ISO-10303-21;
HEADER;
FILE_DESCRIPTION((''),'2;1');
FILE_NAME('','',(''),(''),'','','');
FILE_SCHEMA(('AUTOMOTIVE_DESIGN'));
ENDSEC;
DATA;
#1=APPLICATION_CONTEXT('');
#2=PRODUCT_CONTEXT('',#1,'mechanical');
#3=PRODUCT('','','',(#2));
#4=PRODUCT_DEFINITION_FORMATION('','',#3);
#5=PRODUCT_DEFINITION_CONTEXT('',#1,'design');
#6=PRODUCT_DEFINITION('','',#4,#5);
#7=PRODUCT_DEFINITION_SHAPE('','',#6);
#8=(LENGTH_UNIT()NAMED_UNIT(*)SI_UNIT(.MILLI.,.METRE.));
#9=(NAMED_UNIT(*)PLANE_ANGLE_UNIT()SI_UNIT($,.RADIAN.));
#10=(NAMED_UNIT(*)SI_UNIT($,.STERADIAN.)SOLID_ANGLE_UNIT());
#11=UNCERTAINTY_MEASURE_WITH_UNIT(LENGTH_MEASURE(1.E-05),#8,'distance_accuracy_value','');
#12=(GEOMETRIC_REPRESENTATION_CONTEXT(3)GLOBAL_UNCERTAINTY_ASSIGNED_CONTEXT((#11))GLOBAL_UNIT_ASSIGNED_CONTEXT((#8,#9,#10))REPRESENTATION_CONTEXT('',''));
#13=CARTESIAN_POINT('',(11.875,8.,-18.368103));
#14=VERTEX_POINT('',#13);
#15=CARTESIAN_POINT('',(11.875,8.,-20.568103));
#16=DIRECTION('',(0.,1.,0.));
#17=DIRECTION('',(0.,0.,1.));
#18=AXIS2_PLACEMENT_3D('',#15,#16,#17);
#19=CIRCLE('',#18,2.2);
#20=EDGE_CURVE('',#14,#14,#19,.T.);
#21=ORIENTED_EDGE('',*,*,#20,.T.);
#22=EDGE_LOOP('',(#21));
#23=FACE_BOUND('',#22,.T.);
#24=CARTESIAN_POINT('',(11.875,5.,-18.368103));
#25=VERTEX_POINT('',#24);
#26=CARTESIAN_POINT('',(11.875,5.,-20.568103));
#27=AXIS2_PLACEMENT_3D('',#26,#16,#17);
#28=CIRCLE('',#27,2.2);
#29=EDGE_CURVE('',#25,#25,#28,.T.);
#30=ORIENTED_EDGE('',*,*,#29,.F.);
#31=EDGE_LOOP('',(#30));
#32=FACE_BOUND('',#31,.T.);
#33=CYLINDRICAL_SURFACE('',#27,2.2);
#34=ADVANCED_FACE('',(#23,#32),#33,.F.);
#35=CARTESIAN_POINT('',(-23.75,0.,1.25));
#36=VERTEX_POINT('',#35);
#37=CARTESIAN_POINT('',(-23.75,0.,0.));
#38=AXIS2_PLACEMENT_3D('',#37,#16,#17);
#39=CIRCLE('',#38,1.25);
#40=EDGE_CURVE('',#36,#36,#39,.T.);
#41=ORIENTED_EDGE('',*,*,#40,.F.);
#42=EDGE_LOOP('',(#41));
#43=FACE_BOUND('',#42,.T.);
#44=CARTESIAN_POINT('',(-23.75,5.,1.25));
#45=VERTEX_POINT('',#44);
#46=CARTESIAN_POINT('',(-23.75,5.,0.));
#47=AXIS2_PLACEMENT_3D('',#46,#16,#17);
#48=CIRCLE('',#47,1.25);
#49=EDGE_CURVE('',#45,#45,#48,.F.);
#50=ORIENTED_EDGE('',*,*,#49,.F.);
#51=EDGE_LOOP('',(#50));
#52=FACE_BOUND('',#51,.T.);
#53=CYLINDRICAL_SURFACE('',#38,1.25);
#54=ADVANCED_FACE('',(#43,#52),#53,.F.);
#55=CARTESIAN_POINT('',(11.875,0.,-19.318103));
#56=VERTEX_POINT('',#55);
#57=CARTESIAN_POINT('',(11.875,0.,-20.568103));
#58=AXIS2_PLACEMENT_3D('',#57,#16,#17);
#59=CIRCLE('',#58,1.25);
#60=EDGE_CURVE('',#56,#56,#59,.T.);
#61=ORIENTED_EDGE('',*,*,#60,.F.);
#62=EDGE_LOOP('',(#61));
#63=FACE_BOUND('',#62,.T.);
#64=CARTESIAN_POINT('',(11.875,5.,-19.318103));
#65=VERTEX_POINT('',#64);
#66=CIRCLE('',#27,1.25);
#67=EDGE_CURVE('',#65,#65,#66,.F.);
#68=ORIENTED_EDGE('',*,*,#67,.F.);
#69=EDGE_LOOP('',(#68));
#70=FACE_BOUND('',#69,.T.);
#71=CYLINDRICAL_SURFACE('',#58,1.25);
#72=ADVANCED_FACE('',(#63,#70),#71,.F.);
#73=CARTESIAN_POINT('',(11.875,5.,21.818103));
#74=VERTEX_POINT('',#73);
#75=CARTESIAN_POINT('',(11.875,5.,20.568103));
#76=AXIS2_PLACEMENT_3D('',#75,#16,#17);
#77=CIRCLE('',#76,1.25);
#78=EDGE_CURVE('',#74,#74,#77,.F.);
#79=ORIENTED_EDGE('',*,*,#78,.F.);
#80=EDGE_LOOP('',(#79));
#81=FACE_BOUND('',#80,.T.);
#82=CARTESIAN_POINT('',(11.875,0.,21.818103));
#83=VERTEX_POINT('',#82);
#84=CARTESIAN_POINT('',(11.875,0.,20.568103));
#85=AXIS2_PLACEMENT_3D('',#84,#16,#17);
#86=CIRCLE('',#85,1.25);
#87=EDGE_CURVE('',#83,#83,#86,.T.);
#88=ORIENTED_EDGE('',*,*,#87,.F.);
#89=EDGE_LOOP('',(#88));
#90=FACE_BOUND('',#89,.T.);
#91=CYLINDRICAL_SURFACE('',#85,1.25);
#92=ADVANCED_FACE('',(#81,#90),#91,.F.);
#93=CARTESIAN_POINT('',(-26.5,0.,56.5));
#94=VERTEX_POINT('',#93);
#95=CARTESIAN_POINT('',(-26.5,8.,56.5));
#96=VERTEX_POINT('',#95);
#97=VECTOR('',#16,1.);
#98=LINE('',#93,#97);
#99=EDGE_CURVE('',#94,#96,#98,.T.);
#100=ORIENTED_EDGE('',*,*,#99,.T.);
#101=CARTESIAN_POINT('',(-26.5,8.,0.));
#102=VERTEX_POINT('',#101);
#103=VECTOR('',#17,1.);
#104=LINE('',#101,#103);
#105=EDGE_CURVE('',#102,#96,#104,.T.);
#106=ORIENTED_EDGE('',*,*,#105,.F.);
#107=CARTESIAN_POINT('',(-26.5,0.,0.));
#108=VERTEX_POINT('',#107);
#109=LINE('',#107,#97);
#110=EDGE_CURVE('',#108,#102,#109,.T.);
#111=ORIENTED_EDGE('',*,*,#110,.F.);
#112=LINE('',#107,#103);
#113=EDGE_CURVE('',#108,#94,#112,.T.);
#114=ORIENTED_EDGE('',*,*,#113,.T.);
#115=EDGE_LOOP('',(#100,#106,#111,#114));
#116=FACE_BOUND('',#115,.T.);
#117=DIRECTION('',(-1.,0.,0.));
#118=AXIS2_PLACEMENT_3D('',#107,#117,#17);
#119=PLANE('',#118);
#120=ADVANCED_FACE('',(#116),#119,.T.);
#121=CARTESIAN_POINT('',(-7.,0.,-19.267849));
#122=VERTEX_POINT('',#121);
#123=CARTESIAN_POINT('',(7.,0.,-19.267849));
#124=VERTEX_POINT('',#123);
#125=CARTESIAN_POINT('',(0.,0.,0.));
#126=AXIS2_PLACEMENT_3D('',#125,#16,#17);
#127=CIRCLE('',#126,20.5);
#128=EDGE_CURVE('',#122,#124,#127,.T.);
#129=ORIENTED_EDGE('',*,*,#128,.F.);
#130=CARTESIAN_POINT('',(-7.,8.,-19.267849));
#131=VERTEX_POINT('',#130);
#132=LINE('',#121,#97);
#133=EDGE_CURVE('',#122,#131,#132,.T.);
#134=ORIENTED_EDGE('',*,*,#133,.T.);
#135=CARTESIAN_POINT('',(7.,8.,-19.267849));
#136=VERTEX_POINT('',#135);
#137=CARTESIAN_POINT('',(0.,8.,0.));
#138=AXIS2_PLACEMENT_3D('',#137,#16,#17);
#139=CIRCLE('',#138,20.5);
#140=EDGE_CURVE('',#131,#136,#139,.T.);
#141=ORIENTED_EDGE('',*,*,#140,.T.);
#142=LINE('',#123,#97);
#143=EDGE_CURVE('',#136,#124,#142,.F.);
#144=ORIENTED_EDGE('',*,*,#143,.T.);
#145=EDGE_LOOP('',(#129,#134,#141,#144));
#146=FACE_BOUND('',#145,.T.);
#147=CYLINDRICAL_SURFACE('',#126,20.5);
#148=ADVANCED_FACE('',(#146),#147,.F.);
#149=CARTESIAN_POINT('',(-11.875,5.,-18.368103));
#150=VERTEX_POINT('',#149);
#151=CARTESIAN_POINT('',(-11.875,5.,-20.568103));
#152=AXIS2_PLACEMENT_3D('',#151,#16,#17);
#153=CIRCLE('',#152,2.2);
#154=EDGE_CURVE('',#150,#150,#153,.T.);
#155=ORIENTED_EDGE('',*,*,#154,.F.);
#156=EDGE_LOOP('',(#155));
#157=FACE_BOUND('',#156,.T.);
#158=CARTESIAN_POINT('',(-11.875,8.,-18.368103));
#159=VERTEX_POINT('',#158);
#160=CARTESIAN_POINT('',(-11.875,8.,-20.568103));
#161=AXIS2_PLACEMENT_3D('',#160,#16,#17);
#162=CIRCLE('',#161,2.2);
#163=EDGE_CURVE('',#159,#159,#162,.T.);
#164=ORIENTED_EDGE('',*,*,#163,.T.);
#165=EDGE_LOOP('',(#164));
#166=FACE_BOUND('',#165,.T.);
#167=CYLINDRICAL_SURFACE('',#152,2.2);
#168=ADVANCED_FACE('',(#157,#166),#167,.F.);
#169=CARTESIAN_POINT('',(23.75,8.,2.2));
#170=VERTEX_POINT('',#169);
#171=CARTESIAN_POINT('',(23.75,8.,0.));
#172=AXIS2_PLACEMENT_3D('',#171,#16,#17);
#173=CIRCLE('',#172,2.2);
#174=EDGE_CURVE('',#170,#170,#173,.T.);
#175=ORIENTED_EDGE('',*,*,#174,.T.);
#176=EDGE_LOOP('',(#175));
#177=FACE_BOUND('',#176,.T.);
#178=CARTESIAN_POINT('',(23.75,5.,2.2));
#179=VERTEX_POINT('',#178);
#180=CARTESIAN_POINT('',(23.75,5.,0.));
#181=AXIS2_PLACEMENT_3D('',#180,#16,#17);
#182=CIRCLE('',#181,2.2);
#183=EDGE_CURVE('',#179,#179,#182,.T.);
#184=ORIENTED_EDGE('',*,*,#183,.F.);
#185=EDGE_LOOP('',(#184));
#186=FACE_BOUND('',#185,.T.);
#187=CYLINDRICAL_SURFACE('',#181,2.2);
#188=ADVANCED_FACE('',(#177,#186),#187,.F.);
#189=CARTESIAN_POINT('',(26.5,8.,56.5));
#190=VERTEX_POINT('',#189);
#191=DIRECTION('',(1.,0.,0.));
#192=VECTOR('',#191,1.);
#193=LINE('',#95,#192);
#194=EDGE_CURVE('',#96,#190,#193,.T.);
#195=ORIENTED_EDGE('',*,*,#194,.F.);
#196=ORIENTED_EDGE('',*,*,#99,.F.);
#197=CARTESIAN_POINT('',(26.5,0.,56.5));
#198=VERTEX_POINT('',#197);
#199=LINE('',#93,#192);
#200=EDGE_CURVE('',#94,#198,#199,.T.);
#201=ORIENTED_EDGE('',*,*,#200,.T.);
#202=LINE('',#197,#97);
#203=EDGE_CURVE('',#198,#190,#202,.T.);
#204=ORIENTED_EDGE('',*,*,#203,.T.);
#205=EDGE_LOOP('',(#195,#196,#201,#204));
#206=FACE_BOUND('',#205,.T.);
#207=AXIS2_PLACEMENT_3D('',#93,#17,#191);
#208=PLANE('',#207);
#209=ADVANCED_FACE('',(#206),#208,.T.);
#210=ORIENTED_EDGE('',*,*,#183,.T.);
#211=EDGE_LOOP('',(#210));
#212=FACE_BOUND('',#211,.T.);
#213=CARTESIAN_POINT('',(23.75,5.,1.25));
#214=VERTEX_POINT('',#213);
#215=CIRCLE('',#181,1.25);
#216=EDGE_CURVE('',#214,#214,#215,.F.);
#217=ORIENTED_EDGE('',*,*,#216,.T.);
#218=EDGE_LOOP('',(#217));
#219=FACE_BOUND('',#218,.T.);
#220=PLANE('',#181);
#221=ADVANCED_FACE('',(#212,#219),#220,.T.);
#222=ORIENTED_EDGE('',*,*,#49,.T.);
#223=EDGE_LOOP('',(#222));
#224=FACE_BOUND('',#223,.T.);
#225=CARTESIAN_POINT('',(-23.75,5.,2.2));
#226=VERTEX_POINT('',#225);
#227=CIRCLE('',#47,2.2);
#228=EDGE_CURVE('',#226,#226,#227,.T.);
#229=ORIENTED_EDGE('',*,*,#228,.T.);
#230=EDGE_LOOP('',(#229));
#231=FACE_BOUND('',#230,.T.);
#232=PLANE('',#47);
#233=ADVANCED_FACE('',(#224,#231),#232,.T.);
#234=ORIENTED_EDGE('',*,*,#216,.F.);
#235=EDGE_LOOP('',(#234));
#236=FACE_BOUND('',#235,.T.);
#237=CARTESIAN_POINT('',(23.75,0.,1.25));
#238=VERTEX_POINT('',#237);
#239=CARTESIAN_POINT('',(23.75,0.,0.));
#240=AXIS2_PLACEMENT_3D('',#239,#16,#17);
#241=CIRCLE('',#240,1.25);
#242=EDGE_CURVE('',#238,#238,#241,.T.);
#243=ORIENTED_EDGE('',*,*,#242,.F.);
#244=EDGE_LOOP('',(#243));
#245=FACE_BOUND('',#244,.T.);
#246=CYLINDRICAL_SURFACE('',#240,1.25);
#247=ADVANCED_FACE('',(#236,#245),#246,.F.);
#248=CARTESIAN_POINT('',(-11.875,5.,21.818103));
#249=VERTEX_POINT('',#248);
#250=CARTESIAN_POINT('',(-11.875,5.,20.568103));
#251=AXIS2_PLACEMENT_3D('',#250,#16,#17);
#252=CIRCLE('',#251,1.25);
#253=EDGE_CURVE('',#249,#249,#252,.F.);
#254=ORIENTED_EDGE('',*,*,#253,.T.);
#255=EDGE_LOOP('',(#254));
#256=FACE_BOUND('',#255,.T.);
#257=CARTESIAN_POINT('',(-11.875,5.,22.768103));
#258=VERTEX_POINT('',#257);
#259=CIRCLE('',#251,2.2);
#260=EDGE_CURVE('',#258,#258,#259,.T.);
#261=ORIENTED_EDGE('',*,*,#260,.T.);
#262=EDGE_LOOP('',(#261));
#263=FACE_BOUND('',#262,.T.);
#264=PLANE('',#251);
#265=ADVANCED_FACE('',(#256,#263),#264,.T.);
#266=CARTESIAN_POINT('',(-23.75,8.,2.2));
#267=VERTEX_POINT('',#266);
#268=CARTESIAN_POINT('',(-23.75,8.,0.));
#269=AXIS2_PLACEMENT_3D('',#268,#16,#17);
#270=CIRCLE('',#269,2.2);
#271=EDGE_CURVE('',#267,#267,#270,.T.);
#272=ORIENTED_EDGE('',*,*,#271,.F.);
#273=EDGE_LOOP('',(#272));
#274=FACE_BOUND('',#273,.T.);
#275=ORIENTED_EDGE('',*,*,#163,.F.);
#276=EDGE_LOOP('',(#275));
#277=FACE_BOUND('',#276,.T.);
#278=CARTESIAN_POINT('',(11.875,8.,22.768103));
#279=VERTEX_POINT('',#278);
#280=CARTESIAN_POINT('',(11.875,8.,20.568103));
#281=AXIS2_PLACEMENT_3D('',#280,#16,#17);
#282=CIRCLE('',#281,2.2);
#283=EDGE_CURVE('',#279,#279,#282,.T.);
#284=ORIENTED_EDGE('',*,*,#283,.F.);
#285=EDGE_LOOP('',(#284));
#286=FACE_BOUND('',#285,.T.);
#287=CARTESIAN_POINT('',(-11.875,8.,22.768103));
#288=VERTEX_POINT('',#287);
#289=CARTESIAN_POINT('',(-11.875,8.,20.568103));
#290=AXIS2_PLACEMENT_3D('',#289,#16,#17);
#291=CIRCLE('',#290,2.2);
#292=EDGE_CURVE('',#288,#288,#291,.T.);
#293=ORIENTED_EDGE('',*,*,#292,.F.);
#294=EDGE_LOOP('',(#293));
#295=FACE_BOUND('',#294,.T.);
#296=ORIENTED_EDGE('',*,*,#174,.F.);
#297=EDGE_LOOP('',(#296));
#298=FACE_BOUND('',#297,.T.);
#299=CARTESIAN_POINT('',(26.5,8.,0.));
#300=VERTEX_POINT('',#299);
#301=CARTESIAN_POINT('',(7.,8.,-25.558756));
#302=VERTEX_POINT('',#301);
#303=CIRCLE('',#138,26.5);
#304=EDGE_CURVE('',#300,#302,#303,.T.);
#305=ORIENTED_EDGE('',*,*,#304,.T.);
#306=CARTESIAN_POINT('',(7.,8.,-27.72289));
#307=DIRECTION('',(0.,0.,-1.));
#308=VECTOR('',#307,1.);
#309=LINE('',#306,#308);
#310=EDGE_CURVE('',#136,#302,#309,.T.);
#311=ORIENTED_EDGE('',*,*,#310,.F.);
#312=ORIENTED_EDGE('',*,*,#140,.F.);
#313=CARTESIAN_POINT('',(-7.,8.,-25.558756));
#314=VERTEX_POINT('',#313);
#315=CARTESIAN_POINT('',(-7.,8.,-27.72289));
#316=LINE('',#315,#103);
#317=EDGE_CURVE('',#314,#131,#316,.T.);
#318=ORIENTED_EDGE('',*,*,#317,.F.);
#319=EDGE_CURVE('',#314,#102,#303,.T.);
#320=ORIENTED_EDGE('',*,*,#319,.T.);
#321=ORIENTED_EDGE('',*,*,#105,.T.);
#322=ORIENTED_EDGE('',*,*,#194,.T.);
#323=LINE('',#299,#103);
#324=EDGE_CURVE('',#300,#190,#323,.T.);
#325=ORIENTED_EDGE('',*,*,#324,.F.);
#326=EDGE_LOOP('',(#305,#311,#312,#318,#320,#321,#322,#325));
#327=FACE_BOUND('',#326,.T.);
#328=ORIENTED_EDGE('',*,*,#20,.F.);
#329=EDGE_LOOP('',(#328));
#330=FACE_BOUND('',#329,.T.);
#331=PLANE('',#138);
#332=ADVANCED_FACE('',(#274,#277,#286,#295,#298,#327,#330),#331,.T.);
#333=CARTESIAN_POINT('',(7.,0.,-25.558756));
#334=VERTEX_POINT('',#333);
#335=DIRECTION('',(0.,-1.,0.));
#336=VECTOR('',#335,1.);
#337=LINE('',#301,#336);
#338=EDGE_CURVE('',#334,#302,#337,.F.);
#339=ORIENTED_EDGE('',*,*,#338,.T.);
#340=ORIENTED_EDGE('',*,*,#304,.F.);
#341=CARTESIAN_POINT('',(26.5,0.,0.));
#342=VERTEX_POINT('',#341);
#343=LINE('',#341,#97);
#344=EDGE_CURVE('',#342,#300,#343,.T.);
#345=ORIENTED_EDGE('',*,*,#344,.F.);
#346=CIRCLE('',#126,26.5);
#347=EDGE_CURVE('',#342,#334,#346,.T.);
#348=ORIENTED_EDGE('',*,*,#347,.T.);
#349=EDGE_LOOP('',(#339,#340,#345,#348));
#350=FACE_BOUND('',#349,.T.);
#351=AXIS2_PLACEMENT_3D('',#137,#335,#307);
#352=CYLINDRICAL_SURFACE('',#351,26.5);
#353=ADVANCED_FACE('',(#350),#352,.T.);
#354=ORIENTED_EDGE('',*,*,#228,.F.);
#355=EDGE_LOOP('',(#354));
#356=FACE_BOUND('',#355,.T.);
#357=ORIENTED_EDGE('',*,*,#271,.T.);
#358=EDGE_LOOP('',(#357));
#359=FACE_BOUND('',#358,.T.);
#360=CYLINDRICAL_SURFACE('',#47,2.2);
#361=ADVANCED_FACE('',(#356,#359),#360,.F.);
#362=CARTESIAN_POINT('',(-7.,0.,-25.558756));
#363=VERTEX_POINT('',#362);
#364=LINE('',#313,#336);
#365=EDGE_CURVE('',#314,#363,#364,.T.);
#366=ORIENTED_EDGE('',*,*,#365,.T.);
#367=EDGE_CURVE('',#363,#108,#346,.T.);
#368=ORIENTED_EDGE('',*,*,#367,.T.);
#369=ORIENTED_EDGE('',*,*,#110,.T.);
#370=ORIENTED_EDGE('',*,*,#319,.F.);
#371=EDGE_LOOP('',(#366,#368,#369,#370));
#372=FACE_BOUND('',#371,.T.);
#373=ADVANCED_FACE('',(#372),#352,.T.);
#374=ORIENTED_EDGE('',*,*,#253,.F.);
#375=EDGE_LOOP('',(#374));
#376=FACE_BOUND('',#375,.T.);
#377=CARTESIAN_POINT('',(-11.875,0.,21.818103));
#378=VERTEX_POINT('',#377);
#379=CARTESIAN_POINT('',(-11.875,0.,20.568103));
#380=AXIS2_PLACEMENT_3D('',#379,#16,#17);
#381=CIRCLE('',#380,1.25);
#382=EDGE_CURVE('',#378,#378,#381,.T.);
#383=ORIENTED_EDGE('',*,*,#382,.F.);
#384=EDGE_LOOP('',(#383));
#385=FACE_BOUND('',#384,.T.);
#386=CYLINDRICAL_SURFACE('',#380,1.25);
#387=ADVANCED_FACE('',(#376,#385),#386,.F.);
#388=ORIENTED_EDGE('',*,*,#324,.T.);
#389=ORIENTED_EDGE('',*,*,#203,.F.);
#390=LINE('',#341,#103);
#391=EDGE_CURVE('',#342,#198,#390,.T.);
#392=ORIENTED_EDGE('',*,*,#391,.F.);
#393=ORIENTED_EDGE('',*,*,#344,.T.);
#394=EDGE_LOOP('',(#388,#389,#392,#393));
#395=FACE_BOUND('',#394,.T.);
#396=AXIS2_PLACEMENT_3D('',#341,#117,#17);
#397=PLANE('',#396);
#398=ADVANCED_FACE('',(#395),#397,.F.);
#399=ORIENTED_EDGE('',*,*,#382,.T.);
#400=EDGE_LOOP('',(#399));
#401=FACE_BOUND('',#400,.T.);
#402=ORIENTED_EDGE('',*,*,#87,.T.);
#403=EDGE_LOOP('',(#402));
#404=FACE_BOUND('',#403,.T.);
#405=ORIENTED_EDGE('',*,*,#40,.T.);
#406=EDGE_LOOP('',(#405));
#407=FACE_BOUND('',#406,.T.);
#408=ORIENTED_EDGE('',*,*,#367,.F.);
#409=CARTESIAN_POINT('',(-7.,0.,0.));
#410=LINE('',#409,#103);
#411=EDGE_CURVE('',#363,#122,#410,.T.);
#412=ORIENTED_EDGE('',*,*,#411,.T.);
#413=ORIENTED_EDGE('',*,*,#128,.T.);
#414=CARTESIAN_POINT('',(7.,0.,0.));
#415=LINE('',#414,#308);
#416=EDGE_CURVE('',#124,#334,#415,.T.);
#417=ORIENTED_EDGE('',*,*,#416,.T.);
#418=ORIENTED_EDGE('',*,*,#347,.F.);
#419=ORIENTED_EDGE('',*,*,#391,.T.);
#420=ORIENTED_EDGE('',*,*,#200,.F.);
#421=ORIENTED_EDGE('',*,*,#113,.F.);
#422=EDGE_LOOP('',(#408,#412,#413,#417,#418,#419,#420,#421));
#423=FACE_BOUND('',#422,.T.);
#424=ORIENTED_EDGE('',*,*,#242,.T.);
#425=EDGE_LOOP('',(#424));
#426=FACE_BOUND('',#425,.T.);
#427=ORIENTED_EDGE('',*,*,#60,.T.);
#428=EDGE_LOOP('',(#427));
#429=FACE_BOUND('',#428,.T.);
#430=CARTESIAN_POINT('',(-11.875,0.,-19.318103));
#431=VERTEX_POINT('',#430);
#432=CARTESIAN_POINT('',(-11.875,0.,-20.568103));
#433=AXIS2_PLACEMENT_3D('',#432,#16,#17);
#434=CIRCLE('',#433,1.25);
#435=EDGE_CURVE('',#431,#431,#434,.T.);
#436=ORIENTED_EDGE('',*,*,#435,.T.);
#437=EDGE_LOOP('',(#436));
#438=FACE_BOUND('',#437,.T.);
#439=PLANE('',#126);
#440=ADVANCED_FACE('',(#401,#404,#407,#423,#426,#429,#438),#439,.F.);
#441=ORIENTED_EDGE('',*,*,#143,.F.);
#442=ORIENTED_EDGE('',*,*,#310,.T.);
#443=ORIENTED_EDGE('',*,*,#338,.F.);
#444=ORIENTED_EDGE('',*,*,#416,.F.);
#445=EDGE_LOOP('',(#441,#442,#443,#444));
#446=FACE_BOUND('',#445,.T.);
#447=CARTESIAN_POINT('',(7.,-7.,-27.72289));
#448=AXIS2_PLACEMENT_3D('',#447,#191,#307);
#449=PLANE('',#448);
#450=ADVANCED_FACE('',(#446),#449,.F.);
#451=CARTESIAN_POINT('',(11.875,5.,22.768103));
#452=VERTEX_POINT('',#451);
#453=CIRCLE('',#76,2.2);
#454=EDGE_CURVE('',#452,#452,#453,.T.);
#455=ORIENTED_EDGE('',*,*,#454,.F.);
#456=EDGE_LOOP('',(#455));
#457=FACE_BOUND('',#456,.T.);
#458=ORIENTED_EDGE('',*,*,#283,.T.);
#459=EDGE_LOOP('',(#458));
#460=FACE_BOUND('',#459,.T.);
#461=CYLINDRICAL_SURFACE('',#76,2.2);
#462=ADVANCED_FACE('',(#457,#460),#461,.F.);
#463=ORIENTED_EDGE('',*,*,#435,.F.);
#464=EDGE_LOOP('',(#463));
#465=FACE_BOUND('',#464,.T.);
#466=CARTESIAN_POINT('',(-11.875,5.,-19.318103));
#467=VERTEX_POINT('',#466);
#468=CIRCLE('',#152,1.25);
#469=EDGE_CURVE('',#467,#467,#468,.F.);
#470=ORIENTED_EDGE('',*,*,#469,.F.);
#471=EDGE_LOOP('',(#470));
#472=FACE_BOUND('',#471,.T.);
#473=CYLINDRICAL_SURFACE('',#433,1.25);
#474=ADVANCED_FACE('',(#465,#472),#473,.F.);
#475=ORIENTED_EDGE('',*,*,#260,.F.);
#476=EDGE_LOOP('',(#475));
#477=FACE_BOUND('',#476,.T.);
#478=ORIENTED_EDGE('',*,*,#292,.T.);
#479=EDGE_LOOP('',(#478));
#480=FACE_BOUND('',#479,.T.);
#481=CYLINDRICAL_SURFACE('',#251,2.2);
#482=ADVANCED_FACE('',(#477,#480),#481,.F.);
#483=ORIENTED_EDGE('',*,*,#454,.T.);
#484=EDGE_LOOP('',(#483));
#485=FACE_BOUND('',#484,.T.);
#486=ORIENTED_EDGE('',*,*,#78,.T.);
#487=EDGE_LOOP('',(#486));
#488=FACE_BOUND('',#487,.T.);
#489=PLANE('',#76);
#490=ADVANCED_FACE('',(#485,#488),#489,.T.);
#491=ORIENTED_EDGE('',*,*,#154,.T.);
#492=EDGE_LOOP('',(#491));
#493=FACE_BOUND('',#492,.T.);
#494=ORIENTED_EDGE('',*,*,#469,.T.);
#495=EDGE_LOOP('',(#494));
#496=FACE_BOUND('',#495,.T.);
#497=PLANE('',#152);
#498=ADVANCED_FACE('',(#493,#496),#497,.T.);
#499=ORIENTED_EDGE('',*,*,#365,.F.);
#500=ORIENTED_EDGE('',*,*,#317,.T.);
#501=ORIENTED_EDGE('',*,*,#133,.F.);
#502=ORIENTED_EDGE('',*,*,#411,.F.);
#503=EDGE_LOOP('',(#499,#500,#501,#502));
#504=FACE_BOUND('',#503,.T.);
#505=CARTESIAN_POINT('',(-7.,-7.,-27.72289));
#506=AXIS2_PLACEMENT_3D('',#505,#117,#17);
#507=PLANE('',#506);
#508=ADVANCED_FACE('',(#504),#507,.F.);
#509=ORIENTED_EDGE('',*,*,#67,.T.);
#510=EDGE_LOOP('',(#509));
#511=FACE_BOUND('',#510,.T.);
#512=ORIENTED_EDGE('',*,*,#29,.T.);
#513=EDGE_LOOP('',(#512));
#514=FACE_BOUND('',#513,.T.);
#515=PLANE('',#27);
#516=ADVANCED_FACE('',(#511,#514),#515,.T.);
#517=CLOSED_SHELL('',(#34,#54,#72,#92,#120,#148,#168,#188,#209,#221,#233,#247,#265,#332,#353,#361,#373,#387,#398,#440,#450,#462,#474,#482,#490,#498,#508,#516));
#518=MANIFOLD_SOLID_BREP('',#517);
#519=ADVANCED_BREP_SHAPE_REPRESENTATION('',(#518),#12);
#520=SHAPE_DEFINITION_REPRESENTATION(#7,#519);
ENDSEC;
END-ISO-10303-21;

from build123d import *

# Parameters (mm, degrees)
SKETCH1_R           = 26.5
BOSS_EXTRUDE1_DEPTH = 8
SKETCH2_R           = 20.5
CUT_EXTRUDE1_DEPTH  = 8
SKETCH3_W           = 14
SKETCH3_H           = 29.703096534
CUT_EXTRUDE2_DEPTH  = 15
BOSS_EXTRUDE2_START = -8
BOSS_EXTRUDE2_DEPTH = 8
SKETCH5_R           = 1.25
CUT_EXTRUDE3_DEPTH  = 8
SKETCH6_R           = 2.2
CUT_EXTRUDE4_DEPTH  = 3


with BuildPart() as part:
    # Sketch1 → Boss-Extrude1 (new body)
    with BuildSketch(Plane(origin=(0, 0, 0), x_dir=(1, 0, 0), z_dir=(0, 1, 0))):
        with Locations(Location((0, 0, 0), (0, 0, 270))):
            Circle(SKETCH1_R)
    extrude(amount=BOSS_EXTRUDE1_DEPTH)

    # Sketch2 → Cut-Extrude1 (cut)
    with BuildSketch(Plane(origin=(0, 8, 0), x_dir=(1, 0, 0), z_dir=(0, 1, 0))):
        with Locations(Location((0, 0, 0), (0, 0, 270))):
            Circle(SKETCH2_R)
    extrude(amount=-CUT_EXTRUDE1_DEPTH, mode=Mode.SUBTRACT)

    # Sketch3 → Cut-Extrude2 (cut)
    with BuildSketch(Plane(origin=(0, 8, 0), x_dir=(1, 0, 0), z_dir=(0, 1, 0))):
        with Locations((0, 12.871341831)):
            Rectangle(SKETCH3_W, SKETCH3_H)
    extrude(amount=-CUT_EXTRUDE2_DEPTH, mode=Mode.SUBTRACT)

    # Sketch4 → Boss-Extrude2 (add)
    with BuildSketch(Plane(origin=(0, 8, 0), x_dir=(1, 0, 0), z_dir=(0, 1, 0)).offset(BOSS_EXTRUDE2_START)):
        with BuildLine():
            Line((-26.5, 0), (-26.5, -56.5))
            Line((-26.5, -56.5), (26.5, -56.5))
            Line((26.5, -56.5), (26.5, 0))
            ThreePointArc((26.5, 0), (0, -26.5), (-26.5, 0))
        make_face()
    extrude(amount=BOSS_EXTRUDE2_DEPTH)

    # Sketch5 → Cut-Extrude3 (cut)
    with BuildSketch(Plane(origin=(0, 8, 0), x_dir=(1, 0, 0), z_dir=(0, 1, 0))):
        with Locations(Location((23.75, 0, 0), (0, 0, 270))):
            Circle(SKETCH5_R)
        with Locations(Location((11.875, -20.56810334, 0), (0, 0, 270))):
            Circle(SKETCH5_R)
        with Locations(Location((-11.875, -20.56810334, 0), (0, 0, 270))):
            Circle(SKETCH5_R)
        with Locations(Location((-23.75, 0, 0), (0, 0, 270))):
            Circle(SKETCH5_R)
        with Locations(Location((-11.875, 20.56810334, 0), (0, 0, 270))):
            Circle(SKETCH5_R)
        with Locations(Location((11.875, 20.56810334, 0), (0, 0, 270))):
            Circle(SKETCH5_R)
    extrude(amount=-CUT_EXTRUDE3_DEPTH, mode=Mode.SUBTRACT)

    # Sketch6 → Cut-Extrude4 (cut)
    with BuildSketch(Plane(origin=(0, 8, 0), x_dir=(1, 0, 0), z_dir=(0, 1, 0))):
        with Locations(Location((23.75, 0, 0), (0, 0, 270))):
            Circle(SKETCH6_R)
        with Locations(Location((11.875, -20.56810334, 0), (0, 0, 270))):
            Circle(SKETCH6_R)
        with Locations(Location((-11.875, -20.56810334, 0), (0, 0, 270))):
            Circle(SKETCH6_R)
        with Locations(Location((-23.75, 0, 0), (0, 0, 270))):
            Circle(SKETCH6_R)
        with Locations(Location((-11.875, 20.56810334, 0), (0, 0, 270))):
            Circle(SKETCH6_R)
        with Locations(Location((11.875, 20.56810334, 0), (0, 0, 270))):
            Circle(SKETCH6_R)
    extrude(amount=-CUT_EXTRUDE4_DEPTH, mode=Mode.SUBTRACT)


solid = part.part
